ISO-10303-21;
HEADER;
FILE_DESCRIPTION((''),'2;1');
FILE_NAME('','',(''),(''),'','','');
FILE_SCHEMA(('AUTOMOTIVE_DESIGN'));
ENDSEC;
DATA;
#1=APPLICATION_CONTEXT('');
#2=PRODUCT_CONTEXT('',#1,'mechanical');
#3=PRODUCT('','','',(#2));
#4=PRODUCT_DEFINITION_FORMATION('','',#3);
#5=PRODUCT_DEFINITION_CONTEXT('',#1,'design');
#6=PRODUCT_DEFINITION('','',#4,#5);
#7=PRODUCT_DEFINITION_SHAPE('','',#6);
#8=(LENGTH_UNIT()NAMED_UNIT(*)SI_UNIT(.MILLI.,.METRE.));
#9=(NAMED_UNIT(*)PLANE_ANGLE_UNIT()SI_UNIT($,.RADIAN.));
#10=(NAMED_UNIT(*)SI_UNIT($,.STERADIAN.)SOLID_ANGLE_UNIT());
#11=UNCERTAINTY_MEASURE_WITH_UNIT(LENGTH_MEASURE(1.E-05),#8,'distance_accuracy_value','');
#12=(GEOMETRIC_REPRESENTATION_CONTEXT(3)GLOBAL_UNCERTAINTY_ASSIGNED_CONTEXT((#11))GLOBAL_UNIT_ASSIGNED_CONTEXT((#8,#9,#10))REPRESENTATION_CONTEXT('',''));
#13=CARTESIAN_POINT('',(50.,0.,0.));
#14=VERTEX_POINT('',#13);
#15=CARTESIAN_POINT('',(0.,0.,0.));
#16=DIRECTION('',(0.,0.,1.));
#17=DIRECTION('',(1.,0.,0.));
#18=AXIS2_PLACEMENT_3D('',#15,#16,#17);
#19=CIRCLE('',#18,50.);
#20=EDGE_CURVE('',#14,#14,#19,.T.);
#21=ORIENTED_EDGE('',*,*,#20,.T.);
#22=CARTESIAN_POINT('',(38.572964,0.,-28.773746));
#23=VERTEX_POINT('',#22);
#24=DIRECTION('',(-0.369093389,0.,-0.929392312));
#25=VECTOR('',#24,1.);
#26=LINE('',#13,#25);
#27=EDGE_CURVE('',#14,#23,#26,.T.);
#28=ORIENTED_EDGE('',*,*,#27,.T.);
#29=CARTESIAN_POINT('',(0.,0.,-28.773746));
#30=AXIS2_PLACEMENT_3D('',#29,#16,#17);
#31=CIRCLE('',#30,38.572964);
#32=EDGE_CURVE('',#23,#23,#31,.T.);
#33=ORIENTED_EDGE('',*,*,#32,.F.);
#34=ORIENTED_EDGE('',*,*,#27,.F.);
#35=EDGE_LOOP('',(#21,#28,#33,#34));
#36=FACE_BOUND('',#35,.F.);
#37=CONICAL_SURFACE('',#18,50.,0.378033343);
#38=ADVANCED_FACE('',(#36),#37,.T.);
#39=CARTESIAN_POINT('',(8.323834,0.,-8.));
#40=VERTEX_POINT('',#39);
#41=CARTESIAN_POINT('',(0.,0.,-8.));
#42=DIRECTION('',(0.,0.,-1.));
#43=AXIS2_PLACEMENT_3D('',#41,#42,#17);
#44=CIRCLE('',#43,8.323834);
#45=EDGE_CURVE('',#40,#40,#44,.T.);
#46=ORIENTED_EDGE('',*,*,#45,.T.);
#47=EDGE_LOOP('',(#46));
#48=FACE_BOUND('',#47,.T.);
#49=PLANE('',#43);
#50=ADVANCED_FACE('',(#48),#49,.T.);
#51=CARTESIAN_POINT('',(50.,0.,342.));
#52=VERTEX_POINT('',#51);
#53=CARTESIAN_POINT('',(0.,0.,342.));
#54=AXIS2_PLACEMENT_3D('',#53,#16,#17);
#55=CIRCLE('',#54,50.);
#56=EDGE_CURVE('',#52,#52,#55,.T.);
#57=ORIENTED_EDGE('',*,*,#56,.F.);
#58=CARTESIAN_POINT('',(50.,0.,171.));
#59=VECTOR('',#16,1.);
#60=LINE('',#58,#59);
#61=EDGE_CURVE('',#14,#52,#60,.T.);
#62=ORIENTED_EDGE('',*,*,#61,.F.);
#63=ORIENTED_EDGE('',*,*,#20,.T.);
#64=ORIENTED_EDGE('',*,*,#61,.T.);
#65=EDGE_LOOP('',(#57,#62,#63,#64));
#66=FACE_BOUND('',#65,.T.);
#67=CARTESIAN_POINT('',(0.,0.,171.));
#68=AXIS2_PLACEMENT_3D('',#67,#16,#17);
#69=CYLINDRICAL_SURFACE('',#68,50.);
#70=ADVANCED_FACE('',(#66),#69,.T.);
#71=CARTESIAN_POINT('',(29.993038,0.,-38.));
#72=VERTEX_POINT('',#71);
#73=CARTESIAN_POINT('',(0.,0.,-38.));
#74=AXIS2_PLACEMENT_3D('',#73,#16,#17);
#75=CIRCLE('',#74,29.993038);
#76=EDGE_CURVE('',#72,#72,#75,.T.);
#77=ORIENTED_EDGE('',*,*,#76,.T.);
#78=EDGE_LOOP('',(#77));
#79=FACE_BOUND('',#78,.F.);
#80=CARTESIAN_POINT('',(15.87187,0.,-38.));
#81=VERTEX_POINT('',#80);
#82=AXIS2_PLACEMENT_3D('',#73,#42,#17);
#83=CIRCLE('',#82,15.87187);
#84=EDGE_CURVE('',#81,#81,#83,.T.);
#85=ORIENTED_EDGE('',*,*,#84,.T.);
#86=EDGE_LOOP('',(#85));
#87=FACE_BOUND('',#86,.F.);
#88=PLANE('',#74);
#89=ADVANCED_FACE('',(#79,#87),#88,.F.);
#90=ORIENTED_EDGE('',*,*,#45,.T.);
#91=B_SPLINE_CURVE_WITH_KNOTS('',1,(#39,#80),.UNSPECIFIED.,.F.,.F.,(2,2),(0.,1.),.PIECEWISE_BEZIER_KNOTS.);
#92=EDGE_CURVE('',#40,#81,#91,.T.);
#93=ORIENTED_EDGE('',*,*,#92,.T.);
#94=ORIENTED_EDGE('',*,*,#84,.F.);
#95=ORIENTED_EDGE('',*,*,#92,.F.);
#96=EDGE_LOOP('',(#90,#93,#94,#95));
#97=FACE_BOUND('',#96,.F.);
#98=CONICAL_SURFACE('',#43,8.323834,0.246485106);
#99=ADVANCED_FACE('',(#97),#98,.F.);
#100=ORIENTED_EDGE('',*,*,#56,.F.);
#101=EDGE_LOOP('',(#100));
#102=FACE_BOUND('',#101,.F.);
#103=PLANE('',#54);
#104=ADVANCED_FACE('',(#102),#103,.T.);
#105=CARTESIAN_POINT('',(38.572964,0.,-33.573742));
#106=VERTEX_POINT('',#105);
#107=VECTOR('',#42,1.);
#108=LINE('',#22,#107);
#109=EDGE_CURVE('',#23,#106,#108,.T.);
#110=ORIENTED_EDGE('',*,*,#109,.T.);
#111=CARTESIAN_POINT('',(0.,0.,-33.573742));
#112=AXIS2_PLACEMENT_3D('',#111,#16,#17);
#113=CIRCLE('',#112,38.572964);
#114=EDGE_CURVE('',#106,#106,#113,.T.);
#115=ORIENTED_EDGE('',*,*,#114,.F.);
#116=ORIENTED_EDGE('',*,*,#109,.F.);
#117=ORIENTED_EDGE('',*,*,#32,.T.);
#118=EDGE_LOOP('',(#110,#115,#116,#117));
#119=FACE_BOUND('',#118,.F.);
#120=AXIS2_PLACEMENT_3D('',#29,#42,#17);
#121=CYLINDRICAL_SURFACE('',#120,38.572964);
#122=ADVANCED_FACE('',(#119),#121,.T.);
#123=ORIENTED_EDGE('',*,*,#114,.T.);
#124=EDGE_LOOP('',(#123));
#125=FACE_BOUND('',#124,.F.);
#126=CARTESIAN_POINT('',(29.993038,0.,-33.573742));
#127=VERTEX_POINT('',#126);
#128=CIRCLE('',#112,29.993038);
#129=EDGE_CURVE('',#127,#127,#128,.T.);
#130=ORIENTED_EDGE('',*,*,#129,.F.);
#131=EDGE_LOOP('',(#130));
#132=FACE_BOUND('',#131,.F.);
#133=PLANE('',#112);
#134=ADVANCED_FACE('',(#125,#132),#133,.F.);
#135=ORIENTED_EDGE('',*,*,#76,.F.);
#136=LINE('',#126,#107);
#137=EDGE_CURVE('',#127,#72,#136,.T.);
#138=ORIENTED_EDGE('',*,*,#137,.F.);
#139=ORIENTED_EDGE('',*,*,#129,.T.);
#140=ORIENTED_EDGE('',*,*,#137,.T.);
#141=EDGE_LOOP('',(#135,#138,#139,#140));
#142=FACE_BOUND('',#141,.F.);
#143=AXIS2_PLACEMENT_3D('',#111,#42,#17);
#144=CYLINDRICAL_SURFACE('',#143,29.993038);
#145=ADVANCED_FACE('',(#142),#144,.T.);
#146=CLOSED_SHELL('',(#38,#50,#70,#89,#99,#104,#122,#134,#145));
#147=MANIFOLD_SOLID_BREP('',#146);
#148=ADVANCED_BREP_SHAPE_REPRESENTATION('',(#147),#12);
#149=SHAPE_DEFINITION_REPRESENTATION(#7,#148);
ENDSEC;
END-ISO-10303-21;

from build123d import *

# Parameters (mm, degrees)
SKETCH_W    = 50
SKETCH_H    = 342
SKETCH003_R = 8.323834
SKETCH002_R = 15.87187


with BuildPart() as part:
    # Sketch → Revolution (revolve)
    with BuildSketch(Plane.XZ):
        with Locations((25, 171)):
            Rectangle(SKETCH_W, SKETCH_H)
    revolve(axis=Axis((0, 0, 0), (0, 0, 1)))

    # Sketch001 → Revolution001 (revolve)
    with BuildSketch(Plane.XZ):
        Polygon((50, 0), (38.572964, -28.773746), (38.572964, -33.573742), (29.993038, -33.573742), (29.993038, -38), (0, -38), (0, 0), align=None)
    revolve(axis=Axis((0, 0, 0), (0, 0, 1)))

    # Sketch003 (on DatumPlane) → SubtractiveLoft section 0
    with BuildSketch(Plane(origin=(0, 0, -8), x_dir=(1, 0, 0), z_dir=(0, 0, -1))):
        Circle(SKETCH003_R)
    # Sketch002 (on Face7 of Revolution001) → SubtractiveLoft section 1
    with BuildSketch(Plane(origin=(0, 0, -38), x_dir=(1, 0, 0), z_dir=(0, 0, -1))):
        Circle(SKETCH002_R)
    loft(mode=Mode.SUBTRACT)


solid = part.part
